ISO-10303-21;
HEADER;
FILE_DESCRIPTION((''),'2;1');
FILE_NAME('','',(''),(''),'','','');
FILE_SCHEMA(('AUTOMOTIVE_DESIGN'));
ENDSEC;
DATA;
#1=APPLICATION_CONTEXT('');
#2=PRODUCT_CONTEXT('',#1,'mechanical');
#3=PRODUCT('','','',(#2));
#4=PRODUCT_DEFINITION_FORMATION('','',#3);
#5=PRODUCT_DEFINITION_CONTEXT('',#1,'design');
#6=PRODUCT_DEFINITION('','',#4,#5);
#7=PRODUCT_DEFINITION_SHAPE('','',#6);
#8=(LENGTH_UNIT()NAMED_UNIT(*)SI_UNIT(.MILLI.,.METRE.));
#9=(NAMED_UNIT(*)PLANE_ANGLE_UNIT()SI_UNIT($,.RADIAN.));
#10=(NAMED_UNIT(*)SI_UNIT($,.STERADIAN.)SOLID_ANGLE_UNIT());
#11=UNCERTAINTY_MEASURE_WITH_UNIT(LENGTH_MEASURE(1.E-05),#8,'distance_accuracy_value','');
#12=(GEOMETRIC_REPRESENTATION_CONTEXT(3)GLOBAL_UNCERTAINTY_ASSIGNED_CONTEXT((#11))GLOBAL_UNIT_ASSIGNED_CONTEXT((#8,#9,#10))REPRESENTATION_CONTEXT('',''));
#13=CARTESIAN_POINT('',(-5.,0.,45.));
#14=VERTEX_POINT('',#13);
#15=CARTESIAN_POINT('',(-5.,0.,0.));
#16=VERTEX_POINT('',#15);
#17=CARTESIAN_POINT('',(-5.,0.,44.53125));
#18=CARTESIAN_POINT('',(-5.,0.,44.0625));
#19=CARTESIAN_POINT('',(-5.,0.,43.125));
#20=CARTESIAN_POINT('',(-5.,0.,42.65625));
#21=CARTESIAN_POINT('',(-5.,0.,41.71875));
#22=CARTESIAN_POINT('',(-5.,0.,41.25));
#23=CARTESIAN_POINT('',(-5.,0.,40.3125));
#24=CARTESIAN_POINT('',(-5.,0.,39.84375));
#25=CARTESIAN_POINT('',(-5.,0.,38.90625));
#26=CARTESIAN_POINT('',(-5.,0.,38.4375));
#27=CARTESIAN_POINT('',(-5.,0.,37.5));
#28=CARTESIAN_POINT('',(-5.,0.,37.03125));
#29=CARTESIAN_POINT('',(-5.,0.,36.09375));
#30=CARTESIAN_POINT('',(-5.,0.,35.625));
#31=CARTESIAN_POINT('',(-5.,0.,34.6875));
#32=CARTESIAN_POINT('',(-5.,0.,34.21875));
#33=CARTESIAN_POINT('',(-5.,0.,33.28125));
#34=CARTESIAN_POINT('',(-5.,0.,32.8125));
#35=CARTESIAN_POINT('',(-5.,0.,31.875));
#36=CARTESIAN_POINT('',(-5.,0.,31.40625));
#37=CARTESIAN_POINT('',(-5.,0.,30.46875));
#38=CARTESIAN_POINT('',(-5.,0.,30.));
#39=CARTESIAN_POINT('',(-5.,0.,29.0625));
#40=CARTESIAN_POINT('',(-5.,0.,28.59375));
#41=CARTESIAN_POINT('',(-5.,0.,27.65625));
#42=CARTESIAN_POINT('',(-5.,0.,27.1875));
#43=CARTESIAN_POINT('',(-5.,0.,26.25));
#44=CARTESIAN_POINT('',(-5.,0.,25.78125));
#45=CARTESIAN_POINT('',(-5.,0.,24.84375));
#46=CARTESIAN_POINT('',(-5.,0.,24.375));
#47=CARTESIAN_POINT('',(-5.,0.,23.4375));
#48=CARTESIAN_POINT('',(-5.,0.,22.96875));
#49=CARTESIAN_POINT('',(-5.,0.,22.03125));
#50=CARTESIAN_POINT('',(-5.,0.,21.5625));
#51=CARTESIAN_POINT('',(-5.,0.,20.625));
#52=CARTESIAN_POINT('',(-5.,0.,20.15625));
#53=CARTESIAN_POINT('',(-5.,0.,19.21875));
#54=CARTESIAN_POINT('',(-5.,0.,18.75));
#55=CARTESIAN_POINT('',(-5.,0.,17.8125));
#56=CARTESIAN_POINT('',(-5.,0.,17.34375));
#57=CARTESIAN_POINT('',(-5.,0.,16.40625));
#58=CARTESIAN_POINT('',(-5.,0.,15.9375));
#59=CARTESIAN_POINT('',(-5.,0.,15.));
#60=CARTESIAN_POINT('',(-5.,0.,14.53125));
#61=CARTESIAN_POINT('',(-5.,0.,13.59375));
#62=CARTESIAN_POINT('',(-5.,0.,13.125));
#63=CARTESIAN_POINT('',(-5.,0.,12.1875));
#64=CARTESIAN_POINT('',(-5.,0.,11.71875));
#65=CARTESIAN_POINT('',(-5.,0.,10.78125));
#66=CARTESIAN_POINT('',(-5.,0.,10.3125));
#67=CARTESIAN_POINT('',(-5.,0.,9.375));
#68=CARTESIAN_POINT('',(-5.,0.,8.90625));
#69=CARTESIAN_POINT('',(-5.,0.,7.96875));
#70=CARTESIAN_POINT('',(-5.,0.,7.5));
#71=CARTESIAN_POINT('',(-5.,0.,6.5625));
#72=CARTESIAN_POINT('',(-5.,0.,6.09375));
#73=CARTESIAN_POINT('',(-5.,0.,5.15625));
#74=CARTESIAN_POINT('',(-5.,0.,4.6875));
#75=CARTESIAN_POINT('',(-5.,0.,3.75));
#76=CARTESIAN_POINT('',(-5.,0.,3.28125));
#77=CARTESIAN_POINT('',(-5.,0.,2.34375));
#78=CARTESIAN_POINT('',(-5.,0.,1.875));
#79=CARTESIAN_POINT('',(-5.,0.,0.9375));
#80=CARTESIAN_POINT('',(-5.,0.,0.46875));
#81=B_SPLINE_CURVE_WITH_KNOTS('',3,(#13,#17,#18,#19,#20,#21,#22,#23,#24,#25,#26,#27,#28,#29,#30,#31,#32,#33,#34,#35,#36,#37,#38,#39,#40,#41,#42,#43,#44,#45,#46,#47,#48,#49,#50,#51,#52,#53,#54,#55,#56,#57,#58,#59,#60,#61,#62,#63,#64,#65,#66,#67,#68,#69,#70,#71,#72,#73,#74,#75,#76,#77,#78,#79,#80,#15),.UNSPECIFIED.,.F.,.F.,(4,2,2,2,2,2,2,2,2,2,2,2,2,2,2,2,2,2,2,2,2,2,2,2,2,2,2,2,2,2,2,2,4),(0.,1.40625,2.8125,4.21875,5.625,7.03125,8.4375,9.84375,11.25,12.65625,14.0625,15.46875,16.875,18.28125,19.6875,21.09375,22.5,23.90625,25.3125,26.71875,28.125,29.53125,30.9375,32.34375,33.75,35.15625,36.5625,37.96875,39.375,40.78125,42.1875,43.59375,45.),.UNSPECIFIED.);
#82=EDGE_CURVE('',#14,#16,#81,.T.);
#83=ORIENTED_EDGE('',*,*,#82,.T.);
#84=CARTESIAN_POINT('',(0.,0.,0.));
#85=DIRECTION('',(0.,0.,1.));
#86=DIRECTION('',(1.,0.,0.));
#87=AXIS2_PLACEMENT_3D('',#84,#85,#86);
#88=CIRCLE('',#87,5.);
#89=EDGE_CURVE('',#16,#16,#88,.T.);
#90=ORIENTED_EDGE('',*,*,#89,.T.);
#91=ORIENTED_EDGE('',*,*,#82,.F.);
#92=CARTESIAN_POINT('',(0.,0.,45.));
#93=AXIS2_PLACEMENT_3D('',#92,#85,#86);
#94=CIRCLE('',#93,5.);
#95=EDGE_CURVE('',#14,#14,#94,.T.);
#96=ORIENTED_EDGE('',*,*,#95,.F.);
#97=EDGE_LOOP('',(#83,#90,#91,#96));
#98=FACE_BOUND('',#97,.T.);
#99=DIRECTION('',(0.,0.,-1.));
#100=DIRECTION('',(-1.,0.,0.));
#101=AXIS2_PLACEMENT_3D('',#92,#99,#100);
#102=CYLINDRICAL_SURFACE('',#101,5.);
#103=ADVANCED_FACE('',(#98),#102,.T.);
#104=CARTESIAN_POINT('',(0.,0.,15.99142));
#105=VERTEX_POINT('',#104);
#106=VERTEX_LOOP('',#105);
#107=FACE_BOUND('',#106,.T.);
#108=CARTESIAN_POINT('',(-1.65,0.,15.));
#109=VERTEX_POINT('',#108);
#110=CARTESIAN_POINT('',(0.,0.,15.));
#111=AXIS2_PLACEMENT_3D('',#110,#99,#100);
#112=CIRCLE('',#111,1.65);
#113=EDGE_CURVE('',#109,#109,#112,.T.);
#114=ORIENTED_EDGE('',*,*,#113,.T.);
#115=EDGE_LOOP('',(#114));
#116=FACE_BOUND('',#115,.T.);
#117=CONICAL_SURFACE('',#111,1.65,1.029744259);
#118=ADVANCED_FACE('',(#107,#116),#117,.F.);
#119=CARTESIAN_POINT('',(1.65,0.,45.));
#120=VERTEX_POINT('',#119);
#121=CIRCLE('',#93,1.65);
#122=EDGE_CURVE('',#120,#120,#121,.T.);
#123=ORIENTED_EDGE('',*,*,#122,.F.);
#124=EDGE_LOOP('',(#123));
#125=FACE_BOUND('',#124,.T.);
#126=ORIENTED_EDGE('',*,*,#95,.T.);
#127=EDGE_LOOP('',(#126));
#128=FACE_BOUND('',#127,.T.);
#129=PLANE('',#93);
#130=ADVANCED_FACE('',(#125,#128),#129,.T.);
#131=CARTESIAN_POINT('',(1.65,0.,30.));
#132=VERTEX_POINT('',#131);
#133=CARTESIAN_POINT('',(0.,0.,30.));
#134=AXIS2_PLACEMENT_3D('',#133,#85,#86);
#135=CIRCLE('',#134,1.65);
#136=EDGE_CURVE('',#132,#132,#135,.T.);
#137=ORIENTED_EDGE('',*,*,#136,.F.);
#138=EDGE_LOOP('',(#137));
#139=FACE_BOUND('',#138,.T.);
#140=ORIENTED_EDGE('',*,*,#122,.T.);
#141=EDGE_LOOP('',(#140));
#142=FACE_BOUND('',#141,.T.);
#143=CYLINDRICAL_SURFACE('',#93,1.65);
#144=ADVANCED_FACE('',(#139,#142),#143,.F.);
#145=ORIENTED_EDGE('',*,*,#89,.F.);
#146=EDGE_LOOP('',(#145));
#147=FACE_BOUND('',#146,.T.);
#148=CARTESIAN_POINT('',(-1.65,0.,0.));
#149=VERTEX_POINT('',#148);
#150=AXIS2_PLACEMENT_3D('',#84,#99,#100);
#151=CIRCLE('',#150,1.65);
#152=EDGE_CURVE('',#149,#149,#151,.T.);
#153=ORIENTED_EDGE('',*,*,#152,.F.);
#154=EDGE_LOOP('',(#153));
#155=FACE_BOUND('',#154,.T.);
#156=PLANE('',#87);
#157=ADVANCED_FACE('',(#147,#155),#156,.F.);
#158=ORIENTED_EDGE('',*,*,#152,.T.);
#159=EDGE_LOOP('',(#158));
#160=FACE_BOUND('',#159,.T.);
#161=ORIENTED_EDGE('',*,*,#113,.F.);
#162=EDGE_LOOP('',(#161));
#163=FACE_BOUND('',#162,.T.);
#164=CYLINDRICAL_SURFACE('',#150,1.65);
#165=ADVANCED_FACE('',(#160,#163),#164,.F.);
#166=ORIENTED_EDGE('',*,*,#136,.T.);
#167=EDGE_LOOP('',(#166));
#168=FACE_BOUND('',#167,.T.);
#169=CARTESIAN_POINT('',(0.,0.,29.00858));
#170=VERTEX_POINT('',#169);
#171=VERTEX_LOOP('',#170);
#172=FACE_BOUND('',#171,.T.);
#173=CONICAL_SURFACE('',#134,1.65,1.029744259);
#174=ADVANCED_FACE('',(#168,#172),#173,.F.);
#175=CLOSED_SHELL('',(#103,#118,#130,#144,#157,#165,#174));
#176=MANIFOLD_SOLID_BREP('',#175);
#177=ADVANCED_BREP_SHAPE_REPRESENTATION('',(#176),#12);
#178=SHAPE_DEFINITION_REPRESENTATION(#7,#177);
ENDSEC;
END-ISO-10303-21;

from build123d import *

# Parameters (mm, degrees)
SKETCH_1_R      = 5
EXTRUDE_1_DEPTH = 45


with BuildPart() as part:
    # ｽｹｯﾁ1 → ﾎﾞｽ - 押し出し1 (new body)
    with BuildSketch(Plane.XY):
        with Locations(Location((0, 0, 0), (0, 0, 180))):
            Circle(SKETCH_1_R)
    extrude(amount=EXTRUDE_1_DEPTH)

    # ｽｹｯﾁ3 → M4x0.7 ねじ穴1 (revolve, cut)
    with BuildSketch(Plane(origin=(0, 0, 45), x_dir=(0, -1, 0), z_dir=(1, 0, 0))):
        Polygon((0, 0), (0, 15.991420021), (1.65, 15), (1.65, 0), align=None)
    m4x0_7_1 = revolve(axis=Axis((0, 0, 51.35), (0, 0, -1)), mode=Mode.SUBTRACT)

    # ﾐﾗｰ1: M4x0.7 ねじ穴1 across plane
    add(m4x0_7_1.mirror(Plane.XY.offset(22.5)), mode=Mode.SUBTRACT)


solid = part.part
